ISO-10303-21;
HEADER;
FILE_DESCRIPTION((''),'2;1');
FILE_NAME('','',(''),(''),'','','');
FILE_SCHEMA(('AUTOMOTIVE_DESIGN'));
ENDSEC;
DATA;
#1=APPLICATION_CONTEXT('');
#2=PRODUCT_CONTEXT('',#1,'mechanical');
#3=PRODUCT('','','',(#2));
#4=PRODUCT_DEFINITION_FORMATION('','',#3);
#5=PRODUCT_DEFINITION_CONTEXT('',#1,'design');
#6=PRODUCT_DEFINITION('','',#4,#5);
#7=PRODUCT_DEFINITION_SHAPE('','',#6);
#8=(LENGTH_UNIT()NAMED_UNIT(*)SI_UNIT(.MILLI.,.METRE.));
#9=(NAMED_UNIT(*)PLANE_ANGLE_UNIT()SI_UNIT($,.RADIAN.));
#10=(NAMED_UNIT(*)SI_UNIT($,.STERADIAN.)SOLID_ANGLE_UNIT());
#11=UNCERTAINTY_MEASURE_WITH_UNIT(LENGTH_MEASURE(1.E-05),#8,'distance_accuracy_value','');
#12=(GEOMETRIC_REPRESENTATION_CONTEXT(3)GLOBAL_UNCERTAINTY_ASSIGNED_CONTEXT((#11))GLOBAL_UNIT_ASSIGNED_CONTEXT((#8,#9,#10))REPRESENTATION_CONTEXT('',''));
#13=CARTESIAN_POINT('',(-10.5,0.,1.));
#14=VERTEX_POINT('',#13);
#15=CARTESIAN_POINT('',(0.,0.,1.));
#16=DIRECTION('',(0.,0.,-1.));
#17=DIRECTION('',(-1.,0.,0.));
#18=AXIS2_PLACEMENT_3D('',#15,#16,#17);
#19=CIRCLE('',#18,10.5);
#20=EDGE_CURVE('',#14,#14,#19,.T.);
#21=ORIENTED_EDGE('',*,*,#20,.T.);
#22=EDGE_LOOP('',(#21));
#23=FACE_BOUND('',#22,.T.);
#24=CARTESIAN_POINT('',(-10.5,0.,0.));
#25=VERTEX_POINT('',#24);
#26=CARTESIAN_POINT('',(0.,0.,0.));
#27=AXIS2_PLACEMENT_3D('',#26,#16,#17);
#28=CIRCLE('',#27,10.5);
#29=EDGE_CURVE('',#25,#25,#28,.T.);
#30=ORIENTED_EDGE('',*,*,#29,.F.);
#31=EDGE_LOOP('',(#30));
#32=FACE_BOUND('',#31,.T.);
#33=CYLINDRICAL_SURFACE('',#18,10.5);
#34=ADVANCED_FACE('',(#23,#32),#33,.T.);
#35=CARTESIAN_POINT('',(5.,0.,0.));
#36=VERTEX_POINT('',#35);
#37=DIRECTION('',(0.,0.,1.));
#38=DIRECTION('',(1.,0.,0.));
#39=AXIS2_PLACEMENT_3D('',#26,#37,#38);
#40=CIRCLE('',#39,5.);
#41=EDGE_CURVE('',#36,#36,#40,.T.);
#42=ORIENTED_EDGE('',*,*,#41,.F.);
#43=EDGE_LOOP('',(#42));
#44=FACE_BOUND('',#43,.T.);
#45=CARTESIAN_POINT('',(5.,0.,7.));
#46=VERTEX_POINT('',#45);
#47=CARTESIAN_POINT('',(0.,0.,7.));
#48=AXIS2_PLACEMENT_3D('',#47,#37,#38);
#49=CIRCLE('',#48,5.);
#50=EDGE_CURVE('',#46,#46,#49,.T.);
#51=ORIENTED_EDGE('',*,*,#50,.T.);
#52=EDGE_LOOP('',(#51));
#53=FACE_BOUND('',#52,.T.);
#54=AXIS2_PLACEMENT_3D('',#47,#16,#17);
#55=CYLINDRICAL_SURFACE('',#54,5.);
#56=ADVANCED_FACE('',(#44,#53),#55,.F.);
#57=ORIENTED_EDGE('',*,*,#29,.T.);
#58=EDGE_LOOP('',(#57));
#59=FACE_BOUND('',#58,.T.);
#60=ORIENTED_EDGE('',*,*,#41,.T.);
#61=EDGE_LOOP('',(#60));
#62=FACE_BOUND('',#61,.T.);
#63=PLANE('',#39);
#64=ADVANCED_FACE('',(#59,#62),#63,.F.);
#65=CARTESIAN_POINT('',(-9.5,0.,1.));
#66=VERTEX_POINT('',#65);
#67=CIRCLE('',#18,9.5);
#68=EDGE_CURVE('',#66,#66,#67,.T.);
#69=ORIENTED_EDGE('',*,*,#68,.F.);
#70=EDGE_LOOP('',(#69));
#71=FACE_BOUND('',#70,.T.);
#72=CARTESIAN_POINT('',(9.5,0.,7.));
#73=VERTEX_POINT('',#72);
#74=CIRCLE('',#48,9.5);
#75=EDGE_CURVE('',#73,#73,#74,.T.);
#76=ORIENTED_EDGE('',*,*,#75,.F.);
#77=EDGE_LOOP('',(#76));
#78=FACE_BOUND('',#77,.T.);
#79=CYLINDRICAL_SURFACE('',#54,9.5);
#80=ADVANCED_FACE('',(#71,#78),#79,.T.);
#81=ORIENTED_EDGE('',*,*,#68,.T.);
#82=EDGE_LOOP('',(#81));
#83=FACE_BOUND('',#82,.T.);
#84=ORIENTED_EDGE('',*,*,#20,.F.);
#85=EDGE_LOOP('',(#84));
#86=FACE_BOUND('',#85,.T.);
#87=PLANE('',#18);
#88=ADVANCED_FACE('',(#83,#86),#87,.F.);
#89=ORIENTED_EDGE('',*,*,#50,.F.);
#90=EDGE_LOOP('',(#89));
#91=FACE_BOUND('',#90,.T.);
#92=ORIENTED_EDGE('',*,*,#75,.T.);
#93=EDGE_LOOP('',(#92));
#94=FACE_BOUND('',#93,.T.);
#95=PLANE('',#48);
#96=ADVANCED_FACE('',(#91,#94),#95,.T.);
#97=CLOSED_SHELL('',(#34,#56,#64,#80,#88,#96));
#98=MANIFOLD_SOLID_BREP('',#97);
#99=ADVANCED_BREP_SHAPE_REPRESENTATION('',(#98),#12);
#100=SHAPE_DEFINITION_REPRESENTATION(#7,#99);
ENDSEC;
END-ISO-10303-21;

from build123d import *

# Parameters (mm, degrees)
SKETCH_1_R      = 9.5
SKETCH_1_R_2    = 5
EXTRUDE_1_DEPTH = 7
SKETCH_2_R      = 10.5
SKETCH_2_R_2    = 9.5
EXTRUDE_2_DEPTH = 1


with BuildPart() as part:
    # 草图1 → 凸台-拉伸1 (new body)
    with BuildSketch(Plane.XY):
        Circle(SKETCH_1_R)
        Circle(SKETCH_1_R_2, mode=Mode.SUBTRACT)
    extrude(amount=EXTRUDE_1_DEPTH)

    # 草图2 → 凸台-拉伸2 (add)
    with BuildSketch(Plane(origin=(0, 0, 0), x_dir=(-1, 0, 0), z_dir=(0, 0, -1))):
        Circle(SKETCH_2_R)
        Circle(SKETCH_2_R_2, mode=Mode.SUBTRACT)
    extrude(amount=-EXTRUDE_2_DEPTH)


solid = part.part
